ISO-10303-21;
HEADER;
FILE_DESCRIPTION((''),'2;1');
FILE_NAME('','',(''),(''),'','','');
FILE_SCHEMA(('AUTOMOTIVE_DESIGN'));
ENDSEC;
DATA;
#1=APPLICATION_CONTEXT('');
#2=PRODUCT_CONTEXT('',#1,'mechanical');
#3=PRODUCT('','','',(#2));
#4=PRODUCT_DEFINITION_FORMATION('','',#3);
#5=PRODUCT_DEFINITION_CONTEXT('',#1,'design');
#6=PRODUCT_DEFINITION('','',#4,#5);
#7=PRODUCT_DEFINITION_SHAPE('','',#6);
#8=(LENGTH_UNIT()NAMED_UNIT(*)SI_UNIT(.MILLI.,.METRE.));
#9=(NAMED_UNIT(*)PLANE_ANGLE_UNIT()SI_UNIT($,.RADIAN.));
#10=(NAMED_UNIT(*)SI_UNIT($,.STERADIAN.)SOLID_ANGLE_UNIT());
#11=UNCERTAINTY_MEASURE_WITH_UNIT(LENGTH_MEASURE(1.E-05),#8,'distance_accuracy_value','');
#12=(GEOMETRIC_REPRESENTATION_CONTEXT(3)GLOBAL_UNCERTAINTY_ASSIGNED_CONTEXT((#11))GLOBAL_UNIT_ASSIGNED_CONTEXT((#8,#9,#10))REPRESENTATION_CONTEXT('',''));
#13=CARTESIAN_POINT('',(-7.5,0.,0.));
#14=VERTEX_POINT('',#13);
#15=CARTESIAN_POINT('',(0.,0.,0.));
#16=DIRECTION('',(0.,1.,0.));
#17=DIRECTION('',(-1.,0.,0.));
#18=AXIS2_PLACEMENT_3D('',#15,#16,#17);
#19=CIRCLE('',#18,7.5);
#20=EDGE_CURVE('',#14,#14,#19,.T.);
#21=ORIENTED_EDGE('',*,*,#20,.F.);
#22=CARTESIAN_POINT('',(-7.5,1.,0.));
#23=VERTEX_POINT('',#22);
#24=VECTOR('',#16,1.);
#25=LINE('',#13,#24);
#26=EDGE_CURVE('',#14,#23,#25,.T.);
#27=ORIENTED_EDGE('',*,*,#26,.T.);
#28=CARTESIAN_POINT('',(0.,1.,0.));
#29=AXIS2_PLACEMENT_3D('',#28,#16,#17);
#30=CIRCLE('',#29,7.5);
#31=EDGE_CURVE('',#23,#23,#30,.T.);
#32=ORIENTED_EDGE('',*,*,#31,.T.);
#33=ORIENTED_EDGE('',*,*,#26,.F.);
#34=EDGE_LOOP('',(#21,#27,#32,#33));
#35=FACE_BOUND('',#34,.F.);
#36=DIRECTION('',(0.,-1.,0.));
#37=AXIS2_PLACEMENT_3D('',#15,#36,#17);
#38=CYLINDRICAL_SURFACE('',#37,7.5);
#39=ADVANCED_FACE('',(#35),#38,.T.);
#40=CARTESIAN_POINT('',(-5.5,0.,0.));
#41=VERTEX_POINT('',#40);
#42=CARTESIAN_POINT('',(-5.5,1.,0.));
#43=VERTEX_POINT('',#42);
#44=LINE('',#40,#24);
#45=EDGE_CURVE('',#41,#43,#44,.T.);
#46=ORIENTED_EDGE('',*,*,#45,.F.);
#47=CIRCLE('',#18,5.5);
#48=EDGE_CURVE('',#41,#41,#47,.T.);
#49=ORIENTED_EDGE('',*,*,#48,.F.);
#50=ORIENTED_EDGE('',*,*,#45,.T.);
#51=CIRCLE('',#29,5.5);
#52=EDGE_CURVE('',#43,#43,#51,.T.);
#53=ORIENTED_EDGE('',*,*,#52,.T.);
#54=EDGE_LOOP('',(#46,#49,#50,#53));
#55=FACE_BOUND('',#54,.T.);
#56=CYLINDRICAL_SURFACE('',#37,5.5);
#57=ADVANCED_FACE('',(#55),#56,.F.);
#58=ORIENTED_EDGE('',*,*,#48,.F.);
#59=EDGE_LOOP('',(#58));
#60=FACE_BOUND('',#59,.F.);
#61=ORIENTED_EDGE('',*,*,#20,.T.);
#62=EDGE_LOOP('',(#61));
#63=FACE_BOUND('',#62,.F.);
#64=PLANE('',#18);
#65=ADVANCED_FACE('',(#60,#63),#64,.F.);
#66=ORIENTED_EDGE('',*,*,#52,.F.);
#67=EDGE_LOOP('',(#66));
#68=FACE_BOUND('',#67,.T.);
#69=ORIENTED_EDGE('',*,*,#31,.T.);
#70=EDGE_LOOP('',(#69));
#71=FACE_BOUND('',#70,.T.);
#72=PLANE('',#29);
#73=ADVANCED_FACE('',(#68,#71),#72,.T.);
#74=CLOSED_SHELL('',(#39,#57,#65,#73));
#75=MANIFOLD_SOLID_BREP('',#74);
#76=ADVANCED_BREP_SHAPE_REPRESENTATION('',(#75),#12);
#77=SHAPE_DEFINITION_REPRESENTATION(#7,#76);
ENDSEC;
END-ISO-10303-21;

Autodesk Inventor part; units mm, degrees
ref_plane "YZ Plane" through (0, 0, 0) normal (1, 0, 0) x (0, 1, 0)
ref_plane "XZ Plane" through (0, 0, 0) normal (0, 1, 0) x (-1, 0, 0)
ref_plane "XY Plane" through (0, 0, 0) normal (0, 0, 1) x (1, 0, 0)
sketch "Sketch1" plane through (0, 0, 0) normal (0, 1, 0) x (-1, 0, 0)
  circle A0 centre (0, 0) radius 7.5
  circle A1 centre (0, 0) radius 5.5
  dimension "d0" = 15
  dimension "d1" = 11
extrude "Extrusion1" add sketch "Sketch1" along normal blind 1
properties part number "Arandela_15_2"
